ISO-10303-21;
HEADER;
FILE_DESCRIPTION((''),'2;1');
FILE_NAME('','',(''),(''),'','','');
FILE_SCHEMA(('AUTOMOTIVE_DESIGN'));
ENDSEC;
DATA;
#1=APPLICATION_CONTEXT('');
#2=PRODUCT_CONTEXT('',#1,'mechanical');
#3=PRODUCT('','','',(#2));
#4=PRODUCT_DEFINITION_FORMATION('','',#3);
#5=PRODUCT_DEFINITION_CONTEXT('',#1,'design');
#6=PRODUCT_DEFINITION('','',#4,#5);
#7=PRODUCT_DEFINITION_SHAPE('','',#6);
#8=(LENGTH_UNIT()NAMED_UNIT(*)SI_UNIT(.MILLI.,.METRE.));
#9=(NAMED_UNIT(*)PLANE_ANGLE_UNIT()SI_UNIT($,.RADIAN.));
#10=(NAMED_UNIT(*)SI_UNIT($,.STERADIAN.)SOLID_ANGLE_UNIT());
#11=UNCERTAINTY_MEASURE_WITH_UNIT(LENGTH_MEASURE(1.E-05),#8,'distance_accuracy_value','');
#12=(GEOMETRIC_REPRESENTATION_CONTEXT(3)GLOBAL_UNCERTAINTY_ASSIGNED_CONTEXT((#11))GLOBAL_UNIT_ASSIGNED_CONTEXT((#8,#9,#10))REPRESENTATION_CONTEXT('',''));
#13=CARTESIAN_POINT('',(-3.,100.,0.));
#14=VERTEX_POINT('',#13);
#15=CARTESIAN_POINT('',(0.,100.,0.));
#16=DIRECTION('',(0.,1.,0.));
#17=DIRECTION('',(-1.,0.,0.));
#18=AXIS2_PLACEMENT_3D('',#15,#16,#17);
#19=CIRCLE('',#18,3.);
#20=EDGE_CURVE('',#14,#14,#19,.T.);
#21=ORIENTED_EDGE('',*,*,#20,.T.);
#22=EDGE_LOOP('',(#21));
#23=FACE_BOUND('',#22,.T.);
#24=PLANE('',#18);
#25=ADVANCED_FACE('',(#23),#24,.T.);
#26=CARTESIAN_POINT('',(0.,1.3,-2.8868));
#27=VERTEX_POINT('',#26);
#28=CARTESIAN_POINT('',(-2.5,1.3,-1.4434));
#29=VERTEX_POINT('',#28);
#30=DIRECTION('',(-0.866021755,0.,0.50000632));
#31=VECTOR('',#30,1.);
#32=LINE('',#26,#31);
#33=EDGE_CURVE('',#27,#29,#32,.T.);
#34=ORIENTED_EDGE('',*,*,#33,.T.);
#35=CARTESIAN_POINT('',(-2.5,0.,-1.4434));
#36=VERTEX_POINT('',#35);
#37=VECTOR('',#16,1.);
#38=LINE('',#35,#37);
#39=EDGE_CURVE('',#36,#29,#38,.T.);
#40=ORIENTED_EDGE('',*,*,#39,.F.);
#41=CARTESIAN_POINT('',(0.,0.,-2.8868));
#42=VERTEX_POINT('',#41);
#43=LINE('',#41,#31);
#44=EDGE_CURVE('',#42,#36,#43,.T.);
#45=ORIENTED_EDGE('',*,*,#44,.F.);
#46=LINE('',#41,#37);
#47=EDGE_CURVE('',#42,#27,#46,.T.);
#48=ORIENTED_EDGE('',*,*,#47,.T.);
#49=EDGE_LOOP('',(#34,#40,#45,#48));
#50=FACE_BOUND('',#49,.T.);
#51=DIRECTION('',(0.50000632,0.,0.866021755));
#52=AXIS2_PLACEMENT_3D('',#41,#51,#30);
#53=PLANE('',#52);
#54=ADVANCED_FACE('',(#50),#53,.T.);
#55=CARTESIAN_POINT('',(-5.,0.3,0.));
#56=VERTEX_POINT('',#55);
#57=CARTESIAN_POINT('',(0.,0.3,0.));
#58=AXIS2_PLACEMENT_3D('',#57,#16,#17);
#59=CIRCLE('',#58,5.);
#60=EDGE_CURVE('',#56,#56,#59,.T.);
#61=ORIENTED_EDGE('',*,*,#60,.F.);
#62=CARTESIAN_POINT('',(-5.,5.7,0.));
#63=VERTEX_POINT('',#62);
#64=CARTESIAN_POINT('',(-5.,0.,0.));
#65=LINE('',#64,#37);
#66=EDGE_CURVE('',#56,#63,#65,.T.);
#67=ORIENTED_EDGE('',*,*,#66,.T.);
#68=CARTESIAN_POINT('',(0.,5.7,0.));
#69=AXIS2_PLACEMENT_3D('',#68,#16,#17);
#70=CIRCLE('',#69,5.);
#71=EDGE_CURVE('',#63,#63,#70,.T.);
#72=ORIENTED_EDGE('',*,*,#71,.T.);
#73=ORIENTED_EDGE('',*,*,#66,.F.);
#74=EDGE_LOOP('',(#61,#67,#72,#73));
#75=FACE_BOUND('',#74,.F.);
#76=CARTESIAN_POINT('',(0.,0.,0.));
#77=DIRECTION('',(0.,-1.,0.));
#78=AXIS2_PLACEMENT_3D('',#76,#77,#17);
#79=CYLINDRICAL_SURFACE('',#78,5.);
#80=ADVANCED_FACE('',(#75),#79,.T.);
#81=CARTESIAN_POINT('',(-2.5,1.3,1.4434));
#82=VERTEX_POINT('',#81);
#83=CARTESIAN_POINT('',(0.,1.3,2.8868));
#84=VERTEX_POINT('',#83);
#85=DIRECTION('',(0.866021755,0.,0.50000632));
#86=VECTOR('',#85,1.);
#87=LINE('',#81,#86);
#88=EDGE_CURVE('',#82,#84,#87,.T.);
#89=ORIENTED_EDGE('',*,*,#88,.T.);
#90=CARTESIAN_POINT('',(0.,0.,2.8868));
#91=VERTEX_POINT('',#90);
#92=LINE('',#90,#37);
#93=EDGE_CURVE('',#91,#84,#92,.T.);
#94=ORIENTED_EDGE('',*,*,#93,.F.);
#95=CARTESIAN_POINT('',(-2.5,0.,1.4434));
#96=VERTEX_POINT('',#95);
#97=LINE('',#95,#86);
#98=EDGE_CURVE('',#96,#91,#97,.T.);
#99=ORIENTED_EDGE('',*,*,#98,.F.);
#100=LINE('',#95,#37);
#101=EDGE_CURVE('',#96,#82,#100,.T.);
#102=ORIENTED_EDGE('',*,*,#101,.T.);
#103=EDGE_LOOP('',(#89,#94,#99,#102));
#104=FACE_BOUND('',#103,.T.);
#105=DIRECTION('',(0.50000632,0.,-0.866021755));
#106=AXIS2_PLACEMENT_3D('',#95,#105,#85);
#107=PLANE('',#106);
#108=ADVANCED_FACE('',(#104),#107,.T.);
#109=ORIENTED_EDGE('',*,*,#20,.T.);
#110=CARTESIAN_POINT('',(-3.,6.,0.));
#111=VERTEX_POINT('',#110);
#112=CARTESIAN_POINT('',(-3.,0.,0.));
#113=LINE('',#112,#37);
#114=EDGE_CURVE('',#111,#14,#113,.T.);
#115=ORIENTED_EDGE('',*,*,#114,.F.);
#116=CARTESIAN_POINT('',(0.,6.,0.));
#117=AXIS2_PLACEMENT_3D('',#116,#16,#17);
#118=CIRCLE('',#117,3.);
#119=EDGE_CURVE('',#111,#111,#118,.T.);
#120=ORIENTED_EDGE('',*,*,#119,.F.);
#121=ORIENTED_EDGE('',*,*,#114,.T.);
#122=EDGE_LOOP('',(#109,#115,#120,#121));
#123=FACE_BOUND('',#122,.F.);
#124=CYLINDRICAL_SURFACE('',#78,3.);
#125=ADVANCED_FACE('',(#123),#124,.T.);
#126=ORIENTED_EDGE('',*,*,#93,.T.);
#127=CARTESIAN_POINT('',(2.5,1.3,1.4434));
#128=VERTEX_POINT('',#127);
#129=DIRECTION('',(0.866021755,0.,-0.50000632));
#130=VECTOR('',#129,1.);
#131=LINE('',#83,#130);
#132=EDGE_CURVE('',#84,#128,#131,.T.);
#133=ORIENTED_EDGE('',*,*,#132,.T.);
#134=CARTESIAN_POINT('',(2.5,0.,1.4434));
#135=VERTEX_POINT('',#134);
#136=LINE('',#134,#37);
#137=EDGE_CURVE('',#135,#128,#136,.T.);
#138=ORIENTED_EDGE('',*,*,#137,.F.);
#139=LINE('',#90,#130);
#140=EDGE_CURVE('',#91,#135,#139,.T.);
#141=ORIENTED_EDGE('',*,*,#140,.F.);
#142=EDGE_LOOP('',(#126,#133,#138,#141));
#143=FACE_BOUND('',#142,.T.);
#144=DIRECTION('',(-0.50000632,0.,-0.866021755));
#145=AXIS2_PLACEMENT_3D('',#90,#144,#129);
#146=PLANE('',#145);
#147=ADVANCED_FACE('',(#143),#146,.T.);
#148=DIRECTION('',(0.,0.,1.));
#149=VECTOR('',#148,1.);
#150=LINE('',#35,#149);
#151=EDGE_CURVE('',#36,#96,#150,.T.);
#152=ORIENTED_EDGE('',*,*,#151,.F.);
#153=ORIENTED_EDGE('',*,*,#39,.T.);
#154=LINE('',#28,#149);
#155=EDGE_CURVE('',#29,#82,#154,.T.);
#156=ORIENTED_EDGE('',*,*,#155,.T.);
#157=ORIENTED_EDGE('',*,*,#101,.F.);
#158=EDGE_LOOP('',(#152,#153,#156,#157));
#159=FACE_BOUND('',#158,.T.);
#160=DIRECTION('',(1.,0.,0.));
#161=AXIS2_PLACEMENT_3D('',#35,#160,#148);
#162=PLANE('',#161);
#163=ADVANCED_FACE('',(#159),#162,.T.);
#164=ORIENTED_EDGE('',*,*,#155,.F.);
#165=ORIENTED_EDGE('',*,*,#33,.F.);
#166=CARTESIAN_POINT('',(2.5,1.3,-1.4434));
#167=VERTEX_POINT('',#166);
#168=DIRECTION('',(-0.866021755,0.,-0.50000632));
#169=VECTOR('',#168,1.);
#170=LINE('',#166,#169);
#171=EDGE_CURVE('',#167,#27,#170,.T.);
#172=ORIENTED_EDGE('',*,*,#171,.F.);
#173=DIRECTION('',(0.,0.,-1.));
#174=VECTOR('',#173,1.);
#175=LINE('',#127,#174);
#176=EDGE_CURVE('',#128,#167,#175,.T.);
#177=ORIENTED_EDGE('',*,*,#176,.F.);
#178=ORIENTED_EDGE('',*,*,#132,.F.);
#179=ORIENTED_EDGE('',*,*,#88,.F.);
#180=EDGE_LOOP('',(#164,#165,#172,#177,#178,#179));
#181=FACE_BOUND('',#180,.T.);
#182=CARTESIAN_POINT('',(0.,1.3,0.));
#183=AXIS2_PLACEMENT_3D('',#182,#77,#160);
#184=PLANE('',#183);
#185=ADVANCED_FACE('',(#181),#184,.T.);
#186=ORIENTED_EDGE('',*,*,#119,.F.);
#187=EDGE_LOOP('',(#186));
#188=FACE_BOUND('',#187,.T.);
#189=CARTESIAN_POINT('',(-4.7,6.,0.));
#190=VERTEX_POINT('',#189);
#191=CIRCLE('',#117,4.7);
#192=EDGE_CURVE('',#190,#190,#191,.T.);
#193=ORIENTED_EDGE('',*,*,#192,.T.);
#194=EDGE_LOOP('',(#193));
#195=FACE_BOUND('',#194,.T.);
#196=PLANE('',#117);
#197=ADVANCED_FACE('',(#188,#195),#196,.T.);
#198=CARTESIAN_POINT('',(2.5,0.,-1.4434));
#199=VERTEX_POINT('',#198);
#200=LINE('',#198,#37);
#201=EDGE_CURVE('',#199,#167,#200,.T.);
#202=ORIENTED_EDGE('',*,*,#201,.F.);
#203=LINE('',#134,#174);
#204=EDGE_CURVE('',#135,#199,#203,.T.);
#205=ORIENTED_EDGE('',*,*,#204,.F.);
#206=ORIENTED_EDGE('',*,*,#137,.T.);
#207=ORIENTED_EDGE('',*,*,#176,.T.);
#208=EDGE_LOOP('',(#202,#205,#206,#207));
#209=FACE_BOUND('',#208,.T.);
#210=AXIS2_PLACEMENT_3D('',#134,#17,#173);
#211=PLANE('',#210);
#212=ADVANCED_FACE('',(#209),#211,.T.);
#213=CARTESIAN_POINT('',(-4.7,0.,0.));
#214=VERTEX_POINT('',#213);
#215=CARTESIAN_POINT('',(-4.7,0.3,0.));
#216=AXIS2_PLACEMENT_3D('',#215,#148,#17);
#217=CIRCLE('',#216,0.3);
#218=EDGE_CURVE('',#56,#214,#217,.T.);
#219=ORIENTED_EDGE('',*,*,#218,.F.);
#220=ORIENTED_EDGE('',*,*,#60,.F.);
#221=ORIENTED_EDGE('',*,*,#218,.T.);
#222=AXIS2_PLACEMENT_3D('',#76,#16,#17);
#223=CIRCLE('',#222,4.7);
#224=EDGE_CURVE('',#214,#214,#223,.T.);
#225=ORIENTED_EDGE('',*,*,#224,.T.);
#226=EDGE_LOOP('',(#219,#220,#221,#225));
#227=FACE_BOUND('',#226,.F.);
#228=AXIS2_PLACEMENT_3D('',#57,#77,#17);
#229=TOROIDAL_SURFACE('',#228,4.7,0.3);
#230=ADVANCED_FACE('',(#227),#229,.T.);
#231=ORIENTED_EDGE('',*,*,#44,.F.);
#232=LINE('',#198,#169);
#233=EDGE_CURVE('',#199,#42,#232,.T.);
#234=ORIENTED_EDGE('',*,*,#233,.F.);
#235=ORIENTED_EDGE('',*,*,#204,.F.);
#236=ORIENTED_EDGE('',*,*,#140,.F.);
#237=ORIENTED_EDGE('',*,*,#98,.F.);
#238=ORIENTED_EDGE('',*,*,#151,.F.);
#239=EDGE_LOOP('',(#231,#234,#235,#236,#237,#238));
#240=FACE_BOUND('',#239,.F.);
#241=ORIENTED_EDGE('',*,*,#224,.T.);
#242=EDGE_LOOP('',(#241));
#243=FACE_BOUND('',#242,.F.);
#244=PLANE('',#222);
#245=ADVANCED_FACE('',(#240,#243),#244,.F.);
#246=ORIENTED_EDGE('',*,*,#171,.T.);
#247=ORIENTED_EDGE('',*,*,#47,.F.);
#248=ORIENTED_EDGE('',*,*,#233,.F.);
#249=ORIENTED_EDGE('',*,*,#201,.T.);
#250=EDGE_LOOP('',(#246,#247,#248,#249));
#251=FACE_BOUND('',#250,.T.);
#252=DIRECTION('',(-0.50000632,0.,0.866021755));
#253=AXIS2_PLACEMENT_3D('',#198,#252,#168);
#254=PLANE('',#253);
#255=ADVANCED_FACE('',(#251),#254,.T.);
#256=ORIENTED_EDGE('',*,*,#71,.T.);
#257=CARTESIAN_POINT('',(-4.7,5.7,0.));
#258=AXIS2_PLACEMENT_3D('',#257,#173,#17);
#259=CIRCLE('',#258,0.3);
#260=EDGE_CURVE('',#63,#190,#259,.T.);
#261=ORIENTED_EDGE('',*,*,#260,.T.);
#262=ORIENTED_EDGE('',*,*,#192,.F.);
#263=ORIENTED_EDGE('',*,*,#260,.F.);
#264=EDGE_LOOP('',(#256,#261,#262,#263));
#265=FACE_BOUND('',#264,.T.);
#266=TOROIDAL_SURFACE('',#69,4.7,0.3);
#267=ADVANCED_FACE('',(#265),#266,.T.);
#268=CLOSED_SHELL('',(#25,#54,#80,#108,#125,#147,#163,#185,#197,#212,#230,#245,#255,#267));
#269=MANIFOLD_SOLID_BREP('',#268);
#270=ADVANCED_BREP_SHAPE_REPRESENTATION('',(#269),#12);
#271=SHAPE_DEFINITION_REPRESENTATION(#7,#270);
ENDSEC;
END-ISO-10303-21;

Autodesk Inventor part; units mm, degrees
ref_plane "YZ Plane" through (0, 0, 0) normal (1, 0, 0) x (0, 1, 0)
ref_plane "XZ Plane" through (0, 0, 0) normal (0, 1, 0) x (-1, 0, 0)
ref_plane "XY Plane" through (0, 0, 0) normal (0, 0, 1) x (1, 0, 0)
sketch "Sketch1" plane through (0, 0, 0) normal (0, 1, 0) x (-1, 0, 0)
  circle A0 centre (0, 0) radius 5
  circle A1 centre (0, 0) radius 3
  dimension "d0" = 10
  dimension "d1" = 6
extrude "Extrusion1" add sketch "Sketch1" along normal blind 100 contours A1
extrude "Extrusion2" add sketch "Sketch1" along normal blind 6
fillet "Fillet1" radius 0.3 1 edges at (5, 0, 0)
fillet "Fillet2" radius 0.3 1 edges at (5, 6, 0)
sketch "Sketch2" plane through (0, 0, 0) normal (0, -1, 0) x (1, 0, 0)
  line L0 (0, -2.8868) -> (-2.5, -1.4434)
  line L1 (-2.5, -1.4434) -> (-2.5, 1.4434)
  line L2 (-2.5, 1.4434) -> (0, 2.8868)
  line L3 (0, 2.8868) -> (2.5, 1.4434)
  line L4 (2.5, 1.4434) -> (2.5, -1.4434)
  line L5 (2.5, -1.4434) -> (0, -2.8868)
  point P0 (0, 0)
  point P1 (0, 0)
  dimension "d8" = 5
extrude "Extrusion3" cut sketch "Sketch2" against normal blind 1.3
thread "Thread1" size "M6x1" class "6g" standard "ISO Metric profile" length 27
properties part number "m6_bolt100mm"
